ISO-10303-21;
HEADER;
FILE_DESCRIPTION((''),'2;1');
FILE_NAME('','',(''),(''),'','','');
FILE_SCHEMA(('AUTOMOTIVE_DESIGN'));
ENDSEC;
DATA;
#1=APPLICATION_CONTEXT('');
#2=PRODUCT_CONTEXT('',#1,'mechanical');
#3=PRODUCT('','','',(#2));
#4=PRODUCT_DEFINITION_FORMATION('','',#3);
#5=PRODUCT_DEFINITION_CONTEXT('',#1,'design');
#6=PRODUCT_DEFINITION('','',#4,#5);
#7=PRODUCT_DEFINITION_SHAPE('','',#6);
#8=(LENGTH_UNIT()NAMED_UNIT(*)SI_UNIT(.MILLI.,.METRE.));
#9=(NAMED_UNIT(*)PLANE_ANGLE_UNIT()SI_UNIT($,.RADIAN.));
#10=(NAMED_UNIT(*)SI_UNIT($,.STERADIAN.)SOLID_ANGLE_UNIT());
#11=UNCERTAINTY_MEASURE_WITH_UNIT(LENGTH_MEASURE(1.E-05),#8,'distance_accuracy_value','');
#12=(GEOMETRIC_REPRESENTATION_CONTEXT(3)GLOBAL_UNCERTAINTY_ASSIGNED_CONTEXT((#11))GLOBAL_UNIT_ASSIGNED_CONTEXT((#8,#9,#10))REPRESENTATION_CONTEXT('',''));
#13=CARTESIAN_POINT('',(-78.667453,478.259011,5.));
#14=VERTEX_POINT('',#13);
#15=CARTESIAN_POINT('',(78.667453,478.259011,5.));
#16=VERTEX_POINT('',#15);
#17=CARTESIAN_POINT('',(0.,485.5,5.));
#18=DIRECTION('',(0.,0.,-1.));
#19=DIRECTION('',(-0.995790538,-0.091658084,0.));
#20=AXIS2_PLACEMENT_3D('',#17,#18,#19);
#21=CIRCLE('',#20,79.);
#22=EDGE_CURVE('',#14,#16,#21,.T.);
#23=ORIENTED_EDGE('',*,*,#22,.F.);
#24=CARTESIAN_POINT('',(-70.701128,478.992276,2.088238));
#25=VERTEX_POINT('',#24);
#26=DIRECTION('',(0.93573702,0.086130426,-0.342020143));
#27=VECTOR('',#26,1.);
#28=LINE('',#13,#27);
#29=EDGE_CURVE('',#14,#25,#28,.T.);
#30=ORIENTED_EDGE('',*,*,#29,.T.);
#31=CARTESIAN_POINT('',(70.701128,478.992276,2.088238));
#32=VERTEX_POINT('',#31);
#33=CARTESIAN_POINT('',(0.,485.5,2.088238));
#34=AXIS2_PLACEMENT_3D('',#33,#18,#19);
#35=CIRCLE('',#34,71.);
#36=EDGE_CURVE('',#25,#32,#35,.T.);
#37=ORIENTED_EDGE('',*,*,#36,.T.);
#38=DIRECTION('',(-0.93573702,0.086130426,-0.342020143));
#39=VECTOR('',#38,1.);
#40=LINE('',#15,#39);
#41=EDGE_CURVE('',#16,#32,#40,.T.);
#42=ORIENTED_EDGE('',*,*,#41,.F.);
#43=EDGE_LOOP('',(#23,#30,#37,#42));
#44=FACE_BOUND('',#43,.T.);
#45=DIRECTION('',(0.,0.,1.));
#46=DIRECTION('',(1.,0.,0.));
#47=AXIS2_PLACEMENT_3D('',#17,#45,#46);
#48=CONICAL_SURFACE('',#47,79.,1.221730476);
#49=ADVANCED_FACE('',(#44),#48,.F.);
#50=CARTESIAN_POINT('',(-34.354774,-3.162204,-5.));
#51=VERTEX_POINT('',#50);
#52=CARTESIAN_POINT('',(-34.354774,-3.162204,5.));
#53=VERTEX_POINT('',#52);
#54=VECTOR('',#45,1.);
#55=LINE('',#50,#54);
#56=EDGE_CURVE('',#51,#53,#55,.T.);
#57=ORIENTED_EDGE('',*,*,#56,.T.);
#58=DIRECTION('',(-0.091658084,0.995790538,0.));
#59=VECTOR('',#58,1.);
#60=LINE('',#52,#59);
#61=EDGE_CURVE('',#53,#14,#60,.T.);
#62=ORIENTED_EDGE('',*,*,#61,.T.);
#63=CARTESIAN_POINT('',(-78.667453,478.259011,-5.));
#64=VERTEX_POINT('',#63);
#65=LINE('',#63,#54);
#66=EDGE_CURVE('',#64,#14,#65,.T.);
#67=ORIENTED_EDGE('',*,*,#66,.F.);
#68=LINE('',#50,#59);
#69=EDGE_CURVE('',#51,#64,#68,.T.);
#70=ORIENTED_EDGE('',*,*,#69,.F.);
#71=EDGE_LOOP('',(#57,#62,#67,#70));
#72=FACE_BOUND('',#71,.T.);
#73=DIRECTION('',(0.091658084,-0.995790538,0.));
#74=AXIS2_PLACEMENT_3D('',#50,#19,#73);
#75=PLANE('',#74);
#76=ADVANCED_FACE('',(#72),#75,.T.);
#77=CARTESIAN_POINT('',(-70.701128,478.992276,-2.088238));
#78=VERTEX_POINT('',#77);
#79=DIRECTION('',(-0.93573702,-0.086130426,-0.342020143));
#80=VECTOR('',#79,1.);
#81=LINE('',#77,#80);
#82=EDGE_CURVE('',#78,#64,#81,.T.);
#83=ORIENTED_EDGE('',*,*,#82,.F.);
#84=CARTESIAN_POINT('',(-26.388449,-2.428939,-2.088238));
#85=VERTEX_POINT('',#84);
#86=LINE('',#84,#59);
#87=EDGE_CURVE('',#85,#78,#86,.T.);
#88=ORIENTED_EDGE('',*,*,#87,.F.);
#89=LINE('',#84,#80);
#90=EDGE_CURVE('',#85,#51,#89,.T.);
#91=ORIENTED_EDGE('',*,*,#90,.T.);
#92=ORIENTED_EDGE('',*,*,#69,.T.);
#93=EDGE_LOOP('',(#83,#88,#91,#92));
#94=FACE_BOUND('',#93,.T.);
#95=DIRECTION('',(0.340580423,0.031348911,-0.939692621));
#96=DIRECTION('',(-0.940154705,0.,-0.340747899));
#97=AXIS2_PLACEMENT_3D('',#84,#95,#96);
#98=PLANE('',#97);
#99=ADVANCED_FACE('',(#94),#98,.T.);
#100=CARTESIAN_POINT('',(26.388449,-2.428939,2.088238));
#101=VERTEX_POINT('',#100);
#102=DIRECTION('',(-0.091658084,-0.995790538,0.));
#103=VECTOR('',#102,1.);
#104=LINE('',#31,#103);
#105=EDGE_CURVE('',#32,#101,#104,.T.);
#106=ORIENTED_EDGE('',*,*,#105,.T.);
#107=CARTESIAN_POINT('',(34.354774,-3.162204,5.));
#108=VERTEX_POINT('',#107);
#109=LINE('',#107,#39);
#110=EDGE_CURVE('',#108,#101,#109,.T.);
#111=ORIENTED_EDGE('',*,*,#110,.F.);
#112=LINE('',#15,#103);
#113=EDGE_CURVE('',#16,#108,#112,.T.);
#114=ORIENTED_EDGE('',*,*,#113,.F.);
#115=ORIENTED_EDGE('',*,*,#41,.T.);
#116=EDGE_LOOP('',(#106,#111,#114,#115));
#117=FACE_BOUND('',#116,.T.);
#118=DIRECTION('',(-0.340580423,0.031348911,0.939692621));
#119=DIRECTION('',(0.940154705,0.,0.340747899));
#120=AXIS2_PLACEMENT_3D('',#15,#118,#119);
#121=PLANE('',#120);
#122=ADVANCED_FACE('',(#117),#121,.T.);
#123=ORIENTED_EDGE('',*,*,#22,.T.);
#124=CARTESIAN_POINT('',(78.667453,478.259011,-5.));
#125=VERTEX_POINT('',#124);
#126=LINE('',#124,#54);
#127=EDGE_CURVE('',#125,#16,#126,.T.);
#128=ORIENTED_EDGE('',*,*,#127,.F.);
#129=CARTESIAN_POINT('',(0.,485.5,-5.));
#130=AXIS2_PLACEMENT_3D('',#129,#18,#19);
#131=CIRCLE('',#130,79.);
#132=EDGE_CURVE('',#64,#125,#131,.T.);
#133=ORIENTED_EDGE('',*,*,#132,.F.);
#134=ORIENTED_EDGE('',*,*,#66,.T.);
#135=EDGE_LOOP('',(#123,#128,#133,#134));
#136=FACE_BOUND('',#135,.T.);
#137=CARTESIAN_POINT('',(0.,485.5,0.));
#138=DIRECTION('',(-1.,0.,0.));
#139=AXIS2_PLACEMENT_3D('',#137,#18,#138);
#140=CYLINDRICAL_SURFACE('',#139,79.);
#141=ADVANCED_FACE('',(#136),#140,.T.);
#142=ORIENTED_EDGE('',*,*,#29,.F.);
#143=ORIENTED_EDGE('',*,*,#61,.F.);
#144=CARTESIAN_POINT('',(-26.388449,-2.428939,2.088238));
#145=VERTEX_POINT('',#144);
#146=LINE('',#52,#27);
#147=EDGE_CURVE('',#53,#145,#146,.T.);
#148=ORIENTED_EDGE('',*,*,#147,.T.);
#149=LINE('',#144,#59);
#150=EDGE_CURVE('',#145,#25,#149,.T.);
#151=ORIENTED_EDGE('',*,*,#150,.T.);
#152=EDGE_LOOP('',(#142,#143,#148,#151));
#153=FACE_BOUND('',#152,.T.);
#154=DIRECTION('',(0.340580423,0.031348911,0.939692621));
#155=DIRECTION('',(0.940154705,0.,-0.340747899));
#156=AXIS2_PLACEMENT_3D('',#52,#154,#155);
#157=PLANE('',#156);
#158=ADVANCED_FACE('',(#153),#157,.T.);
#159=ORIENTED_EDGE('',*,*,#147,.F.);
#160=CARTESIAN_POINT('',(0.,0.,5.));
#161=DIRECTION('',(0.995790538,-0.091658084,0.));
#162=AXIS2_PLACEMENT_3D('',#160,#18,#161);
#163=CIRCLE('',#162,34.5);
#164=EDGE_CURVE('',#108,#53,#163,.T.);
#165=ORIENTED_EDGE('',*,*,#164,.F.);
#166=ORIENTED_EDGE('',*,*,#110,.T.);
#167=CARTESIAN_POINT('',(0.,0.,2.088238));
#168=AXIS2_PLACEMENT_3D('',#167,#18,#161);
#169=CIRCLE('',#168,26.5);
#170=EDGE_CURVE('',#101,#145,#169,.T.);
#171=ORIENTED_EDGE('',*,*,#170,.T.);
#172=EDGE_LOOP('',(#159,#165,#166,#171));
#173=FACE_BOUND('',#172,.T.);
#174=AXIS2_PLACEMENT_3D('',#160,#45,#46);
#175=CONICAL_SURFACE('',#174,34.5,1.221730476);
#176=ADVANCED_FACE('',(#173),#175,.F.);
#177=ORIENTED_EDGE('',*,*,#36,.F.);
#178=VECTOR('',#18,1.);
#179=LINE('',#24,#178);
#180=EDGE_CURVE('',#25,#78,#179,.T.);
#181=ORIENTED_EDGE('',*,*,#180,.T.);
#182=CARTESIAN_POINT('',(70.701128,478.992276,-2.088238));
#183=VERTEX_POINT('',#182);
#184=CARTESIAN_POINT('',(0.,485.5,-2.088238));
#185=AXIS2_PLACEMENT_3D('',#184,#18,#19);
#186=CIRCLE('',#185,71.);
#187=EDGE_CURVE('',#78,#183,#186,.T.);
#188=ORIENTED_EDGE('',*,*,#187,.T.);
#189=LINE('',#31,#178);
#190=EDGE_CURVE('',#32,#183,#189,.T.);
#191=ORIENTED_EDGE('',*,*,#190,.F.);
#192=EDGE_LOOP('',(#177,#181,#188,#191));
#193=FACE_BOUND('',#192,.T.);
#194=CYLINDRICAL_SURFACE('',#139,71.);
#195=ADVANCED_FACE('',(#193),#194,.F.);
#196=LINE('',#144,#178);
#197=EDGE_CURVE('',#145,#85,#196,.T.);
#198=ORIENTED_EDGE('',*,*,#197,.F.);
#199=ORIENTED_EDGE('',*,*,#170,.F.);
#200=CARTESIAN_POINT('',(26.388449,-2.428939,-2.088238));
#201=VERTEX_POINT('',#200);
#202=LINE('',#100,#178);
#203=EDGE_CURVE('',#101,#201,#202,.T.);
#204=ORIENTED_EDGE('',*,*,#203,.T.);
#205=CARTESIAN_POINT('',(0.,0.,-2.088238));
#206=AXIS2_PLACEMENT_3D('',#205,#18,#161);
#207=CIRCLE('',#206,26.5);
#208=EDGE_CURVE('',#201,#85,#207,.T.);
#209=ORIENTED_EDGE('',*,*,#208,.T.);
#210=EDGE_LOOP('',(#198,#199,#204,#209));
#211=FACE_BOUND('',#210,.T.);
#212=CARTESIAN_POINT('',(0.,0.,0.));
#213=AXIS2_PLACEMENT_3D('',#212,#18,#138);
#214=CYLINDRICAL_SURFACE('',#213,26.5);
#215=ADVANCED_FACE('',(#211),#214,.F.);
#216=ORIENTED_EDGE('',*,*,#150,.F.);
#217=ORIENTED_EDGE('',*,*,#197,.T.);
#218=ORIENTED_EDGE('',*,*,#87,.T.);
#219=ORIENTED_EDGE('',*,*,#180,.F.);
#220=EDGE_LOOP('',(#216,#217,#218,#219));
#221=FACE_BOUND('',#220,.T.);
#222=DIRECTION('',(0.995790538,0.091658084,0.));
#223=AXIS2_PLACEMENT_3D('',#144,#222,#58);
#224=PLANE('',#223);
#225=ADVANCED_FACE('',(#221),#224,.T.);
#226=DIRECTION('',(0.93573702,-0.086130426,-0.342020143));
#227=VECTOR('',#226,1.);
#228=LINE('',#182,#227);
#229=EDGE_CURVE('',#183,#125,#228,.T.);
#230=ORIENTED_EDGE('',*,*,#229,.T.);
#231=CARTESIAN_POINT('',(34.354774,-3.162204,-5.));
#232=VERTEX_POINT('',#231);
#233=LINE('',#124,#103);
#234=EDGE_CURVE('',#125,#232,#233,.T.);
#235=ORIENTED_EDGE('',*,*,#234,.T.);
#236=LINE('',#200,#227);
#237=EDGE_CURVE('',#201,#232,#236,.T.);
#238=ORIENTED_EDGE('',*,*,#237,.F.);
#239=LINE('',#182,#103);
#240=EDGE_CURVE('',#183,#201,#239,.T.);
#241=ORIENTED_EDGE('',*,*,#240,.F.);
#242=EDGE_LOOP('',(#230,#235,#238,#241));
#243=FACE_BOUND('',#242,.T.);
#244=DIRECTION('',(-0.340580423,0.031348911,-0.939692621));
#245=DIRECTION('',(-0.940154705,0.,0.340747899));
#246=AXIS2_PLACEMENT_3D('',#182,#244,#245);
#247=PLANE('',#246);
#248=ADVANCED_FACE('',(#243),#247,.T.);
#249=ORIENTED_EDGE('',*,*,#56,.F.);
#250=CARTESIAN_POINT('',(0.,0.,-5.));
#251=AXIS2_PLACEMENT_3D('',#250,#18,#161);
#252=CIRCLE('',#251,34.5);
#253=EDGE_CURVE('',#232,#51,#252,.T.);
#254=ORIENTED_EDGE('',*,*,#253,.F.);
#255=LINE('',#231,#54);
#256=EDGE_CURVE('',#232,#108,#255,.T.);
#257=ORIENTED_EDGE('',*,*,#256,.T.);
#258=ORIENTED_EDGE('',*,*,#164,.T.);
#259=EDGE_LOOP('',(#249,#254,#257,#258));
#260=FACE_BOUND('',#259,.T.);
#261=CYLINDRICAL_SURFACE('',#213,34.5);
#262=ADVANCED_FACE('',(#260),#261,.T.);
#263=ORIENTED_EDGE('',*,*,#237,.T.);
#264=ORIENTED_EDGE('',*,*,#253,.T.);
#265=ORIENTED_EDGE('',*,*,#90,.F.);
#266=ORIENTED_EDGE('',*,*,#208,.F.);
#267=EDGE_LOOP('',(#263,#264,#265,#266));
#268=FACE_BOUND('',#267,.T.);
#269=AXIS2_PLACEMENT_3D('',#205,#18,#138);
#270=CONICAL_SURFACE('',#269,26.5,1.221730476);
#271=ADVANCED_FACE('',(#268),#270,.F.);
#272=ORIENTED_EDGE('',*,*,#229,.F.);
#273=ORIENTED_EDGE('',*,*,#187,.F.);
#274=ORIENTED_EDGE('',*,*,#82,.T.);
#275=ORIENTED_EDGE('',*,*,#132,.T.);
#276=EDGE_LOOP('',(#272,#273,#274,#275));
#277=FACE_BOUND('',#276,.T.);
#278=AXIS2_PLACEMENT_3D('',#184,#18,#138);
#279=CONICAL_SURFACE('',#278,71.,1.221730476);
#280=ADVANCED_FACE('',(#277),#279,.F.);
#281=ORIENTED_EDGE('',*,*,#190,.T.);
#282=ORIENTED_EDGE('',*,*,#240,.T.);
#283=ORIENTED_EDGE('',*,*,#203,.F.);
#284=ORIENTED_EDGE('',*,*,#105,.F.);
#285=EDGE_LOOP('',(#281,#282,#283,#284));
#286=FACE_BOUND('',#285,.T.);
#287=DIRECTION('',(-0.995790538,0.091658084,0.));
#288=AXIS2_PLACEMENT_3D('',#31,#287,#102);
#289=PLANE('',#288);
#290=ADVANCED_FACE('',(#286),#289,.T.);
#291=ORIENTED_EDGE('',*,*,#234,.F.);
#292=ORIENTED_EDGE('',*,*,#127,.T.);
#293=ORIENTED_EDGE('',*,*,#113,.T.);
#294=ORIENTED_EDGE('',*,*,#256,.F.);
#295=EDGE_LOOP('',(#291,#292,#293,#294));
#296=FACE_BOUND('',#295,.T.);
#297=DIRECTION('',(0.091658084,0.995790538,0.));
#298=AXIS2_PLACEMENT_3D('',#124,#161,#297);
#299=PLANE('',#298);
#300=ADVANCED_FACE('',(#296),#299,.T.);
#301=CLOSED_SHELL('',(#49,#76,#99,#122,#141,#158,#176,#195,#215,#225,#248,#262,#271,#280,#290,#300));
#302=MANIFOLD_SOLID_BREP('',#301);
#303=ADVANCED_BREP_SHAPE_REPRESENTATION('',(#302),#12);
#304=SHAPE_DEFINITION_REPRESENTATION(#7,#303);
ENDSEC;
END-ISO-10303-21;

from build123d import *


with BuildPart() as part:
    # Sweep1: sweep along a path in Sketch2
    with BuildLine(Plane.XY) as sweep1_path:
        Line((-25.392658719, -2.337281153), (-69.70533766, 479.083934089))
        ThreePointArc((-69.70533766, 479.083934089), (0, 555.5), (69.705337659, 479.083934089))
        Line((69.705337659, 479.083934089), (25.392658719, -2.337281153))
        ThreePointArc((25.392658719, -2.337281153), (0, -25.5), (-25.392658719, -2.337281153))
    # Sketch3 → Sweep1 (sweep)
    with BuildSketch(Plane(origin=(69.705337659, 479.083934089, 0), x_dir=(-0.9957905379924045, 0.09165808444866114, 0), z_dir=(-0.09165808444866114, -0.9957905379924045, 0))):
        Polygon((-1, -2.088238126), (-1, 2.088238126), (-9, 5), (-9, -5), align=None)
    sweep(path=sweep1_path.line)


solid = part.part
